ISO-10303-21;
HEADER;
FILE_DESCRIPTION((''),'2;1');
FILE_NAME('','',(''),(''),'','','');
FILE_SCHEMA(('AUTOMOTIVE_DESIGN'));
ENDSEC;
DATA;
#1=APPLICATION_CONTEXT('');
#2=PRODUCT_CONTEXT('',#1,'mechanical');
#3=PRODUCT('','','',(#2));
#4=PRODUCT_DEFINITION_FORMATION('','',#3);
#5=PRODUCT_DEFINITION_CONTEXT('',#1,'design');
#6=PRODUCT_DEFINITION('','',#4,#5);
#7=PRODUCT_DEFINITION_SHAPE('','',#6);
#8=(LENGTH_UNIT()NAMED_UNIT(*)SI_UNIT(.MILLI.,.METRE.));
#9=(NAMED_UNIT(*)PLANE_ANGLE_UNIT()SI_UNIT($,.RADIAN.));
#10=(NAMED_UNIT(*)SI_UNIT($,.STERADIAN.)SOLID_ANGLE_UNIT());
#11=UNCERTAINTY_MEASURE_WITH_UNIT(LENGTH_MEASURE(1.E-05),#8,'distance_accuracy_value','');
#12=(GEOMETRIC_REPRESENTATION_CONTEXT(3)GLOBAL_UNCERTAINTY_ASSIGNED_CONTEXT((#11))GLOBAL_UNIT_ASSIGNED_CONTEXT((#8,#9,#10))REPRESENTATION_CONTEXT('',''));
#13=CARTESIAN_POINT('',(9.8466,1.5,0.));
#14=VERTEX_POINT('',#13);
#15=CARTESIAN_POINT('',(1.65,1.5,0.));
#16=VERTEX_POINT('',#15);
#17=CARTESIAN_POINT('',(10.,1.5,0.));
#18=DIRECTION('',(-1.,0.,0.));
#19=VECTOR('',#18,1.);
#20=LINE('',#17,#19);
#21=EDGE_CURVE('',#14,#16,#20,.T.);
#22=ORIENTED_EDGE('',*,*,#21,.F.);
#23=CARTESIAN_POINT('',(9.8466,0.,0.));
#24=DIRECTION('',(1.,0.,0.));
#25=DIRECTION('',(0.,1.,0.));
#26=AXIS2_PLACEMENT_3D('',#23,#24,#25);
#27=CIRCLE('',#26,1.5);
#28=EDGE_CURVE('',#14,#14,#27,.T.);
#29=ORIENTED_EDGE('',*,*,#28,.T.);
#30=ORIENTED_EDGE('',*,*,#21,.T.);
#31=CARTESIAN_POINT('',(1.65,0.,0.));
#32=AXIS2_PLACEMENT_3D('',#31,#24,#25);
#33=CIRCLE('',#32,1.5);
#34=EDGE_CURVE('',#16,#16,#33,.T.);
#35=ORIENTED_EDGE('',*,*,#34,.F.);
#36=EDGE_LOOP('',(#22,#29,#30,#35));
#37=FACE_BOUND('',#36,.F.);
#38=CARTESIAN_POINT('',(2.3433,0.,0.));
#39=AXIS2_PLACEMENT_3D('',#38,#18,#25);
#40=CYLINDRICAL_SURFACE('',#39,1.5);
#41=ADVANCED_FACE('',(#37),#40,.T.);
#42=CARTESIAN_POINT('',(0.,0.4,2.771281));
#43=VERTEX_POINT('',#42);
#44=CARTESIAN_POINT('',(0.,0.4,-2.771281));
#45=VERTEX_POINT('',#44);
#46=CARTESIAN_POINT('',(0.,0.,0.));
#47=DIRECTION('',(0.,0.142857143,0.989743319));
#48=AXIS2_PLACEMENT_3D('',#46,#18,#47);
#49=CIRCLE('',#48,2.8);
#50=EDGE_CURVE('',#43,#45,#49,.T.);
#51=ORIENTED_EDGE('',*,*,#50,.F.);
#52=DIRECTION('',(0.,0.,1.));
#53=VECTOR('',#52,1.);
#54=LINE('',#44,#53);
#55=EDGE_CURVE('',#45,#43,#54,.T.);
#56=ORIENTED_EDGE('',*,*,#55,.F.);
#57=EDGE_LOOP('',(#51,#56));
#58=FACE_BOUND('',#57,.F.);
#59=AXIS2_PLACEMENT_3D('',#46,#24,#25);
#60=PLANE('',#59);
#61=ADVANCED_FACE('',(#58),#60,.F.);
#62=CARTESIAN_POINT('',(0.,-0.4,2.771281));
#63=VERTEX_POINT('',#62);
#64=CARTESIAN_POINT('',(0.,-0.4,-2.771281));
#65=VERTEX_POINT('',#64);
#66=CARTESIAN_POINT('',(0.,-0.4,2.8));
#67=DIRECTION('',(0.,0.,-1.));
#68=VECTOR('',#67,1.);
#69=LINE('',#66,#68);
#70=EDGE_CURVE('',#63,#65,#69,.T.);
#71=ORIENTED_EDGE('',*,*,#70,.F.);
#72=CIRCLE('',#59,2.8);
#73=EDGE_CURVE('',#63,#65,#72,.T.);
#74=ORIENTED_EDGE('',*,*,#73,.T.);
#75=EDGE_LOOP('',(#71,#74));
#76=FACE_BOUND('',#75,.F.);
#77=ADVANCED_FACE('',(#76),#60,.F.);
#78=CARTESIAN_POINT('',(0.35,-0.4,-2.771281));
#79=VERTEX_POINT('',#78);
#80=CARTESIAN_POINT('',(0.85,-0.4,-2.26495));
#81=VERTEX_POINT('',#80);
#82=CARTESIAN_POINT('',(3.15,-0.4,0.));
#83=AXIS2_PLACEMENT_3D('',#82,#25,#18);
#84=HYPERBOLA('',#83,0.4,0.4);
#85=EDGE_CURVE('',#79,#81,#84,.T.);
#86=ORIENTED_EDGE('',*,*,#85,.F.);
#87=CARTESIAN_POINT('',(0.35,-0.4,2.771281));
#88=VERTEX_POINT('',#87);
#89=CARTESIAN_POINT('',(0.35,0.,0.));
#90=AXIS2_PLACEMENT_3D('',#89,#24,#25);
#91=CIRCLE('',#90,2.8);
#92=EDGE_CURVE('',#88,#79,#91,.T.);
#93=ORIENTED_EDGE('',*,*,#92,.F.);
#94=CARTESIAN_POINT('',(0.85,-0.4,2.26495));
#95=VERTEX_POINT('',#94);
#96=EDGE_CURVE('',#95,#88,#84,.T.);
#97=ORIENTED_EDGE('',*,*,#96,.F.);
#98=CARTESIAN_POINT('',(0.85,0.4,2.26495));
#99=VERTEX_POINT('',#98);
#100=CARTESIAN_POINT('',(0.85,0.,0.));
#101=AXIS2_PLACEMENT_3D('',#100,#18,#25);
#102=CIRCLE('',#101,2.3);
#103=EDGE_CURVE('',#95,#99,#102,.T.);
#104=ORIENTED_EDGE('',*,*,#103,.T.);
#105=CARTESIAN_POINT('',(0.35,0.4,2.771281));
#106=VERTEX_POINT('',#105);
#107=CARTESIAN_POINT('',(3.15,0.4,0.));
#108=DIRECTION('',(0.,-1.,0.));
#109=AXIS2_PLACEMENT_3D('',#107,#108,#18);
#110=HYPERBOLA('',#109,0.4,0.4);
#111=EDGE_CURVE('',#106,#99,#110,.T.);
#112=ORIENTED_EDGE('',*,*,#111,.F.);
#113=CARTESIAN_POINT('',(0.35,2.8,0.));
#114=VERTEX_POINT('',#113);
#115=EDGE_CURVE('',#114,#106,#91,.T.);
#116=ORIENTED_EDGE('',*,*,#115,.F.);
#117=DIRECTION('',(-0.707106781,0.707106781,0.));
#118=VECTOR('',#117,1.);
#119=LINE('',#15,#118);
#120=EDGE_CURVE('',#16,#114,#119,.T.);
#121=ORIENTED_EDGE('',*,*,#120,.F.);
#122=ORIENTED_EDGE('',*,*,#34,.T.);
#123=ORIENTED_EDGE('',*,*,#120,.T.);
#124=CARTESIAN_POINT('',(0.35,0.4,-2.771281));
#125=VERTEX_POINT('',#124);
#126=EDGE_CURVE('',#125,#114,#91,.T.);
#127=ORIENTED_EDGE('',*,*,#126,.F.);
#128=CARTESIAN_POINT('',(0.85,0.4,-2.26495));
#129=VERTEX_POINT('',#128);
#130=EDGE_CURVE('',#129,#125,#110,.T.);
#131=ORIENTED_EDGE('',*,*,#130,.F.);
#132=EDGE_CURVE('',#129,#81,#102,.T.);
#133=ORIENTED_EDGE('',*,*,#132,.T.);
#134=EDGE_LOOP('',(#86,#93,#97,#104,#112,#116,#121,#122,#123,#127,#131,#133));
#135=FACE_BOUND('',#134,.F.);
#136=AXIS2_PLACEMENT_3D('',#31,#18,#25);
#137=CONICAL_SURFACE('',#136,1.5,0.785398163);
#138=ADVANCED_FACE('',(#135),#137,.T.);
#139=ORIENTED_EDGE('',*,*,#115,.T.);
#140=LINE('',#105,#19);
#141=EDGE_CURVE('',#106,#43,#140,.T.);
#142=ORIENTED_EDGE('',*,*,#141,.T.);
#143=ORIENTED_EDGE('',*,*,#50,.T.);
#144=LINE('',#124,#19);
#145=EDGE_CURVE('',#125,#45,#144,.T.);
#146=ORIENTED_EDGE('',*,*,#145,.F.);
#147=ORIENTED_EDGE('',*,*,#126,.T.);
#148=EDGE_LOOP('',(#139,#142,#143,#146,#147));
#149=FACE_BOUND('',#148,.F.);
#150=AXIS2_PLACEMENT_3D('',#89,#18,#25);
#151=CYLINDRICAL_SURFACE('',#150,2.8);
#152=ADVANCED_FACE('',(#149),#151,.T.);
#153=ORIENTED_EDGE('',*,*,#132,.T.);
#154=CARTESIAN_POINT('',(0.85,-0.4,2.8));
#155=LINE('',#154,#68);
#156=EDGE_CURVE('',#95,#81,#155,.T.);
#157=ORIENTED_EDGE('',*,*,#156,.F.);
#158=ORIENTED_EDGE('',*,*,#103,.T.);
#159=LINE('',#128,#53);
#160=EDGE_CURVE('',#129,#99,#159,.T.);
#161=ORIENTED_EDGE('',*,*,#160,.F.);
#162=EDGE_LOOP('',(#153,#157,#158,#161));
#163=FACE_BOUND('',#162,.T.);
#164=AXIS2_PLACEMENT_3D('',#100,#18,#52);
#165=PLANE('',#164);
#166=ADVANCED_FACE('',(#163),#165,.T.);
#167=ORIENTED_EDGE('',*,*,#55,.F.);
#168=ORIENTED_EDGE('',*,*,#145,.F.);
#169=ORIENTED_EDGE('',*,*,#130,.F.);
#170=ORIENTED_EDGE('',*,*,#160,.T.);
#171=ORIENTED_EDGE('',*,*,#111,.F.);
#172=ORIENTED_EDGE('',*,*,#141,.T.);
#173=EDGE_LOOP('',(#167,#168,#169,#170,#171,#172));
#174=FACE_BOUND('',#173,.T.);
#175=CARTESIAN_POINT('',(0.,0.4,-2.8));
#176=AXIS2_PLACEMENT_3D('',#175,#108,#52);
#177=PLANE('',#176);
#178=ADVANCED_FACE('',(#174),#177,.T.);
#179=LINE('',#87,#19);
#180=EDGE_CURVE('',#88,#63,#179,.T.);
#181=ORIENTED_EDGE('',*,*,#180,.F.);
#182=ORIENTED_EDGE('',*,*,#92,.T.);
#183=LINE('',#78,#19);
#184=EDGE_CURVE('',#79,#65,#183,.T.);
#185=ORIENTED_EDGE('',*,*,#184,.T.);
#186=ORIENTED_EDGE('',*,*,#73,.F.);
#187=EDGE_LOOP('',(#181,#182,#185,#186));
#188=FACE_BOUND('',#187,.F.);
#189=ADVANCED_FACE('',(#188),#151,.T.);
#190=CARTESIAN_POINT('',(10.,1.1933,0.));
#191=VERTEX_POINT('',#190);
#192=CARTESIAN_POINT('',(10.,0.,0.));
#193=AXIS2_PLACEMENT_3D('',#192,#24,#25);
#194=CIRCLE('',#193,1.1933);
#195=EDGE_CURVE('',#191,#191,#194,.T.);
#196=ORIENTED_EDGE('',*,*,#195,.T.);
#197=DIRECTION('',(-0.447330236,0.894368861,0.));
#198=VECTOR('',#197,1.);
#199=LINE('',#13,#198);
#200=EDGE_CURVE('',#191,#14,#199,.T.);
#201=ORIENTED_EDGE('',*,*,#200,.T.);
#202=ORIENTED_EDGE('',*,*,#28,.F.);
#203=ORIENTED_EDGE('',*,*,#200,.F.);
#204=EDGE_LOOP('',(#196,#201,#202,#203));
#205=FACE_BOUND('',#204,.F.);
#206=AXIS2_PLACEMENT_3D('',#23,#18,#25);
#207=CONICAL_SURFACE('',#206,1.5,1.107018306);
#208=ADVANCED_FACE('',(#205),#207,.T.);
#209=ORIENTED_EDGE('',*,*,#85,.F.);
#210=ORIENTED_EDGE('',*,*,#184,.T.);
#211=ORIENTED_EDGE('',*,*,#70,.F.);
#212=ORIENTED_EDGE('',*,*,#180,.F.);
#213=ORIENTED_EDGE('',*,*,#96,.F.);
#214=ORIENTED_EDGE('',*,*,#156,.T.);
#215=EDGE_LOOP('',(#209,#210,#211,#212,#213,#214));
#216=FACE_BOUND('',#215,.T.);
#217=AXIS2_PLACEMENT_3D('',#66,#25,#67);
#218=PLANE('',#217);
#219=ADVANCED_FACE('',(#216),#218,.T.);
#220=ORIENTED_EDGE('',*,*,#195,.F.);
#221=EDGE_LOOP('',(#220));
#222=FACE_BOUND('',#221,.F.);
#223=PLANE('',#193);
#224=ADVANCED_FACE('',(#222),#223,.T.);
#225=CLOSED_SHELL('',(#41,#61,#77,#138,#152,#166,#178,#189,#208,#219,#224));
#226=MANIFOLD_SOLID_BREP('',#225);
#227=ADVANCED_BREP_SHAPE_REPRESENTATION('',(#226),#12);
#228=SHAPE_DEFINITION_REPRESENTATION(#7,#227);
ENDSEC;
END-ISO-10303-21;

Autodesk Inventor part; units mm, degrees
ref_plane "YZ Plane" through (0, 0, 0) normal (1, 0, 0) x (0, 1, 0)
ref_plane "XZ Plane" through (0, 0, 0) normal (0, 1, 0) x (-1, 0, 0)
sketch "Sketch1" plane through (0, 0, 0) normal (0, 0, 1) x (1, 0, 0)
  line L0 (0, 0) -> (10, 0)
  line L1 (10, 0) -> (10, 1.5)
  line L2 (10, 1.5) -> (2.65, 1.5)
  line L3 (2.65, 1.5) -> (2.3433, 1.5)
  line L4 (2.3433, 1.5) -> (1.65, 1.5)
  line L5 (1.65, 1.5) -> (0.35, 2.8)
  line L6 (0.35, 2.8) -> (0, 2.8)
  line L7 (0, 2.8) -> (0, 0)
  line L8 (2.65, 1.5) -> (1.65, 1.5) construction
  line L9 (-2, 0) -> (12, 0) projected
  line L10 (0, 3.36) -> (0, -0.56) projected
  dimension "d0" = 10
  dimension "d1" = 45
  dimension "d2" = 0.3067
  dimension "d3" = 7.35
  dimension "d4" = 1.65
  dimension "d5" = 3
  dimension "d6" = 3
  dimension "d7" = 5.6
revolve "Body" add sketch "Sketch1" angle 360 about axis through (0, 0, 0) along (1, 0, 0)
sketch "Sketch2" plane through (0, 0, 0) normal (-1, 0, 0) x (0, 0, 1)
  line L0 (2.8, -0.4) -> (-2.8, -0.4)
  line L1 (-2.8, -0.4) -> (-2.8, 0.4)
  line L2 (-2.8, 0.4) -> (2.8, 0.4)
  line L3 (2.8, 0.4) -> (2.8, -0.4)
  line L4 (0, 0.4) -> (0, -0.4) construction
  line L5 (-2.8, 0) -> (2.8, 0) construction
  line L6 (0, 2.8) -> (0, 0) projected
  dimension "d15" = 0.8
  dimension "d16" = 5.6
extrude "Slot" cut sketch "Sketch2" against normal blind 0.85
thread "Thread" size "M3x0.5" class "6g" standard "ISO Metric profile" length 7.35
chamfer "Chamfer1" distance 0.3067 distance2 0.1534 1 edges at (10, -1.5, 0) measured on face at (10, 0.263, 0.1197)
ref_plane "Work Plane1" through (33.575, 0, 0) normal (0, 0, -1) x (1, 0, 0)
equation "\"d0\" = NLG"
equation "\"d1\" = 0.5 * SEWI"
equation "\"d2\" = GAL"
equation "\"d3\" = GEL"
equation "\"d4\" = KOH"
equation "\"d5\" = BDM"
equation "\"d6\" = GD"
equation "\"d7\" = KOD"
equation "\"d15\" = SBR"
equation "\"d16\" = KOD"
equation "\"d8\" = STI"
equation "\"d10\" = GEL"
equation "\"d12\" = -0.5 * SPD + 0.5 * GD"
equation "\"d13\" = 0.5 * GAL"
equation "\"NLG\" = 10"
equation "\"GAL\" = 0.61345 * PTC"
equation "\"GEL\" = 7.35"
equation "\"KOH\" = 1.65"
equation "\"KOD\" = 5.6"
equation "\"SEWI\" = 90deg"
equation "\"BDM\" = NND"
equation "\"GD\" = NND"
equation "\"SBR\" = 0.8"
equation "\"STI\" = 0.85"
equation "\"SPD\" = NND - 1.2269 * PTC"
equation "\"GUL\" = 0.61345 * PTC"
equation "\"PTC\" = 0.5"
equation "\"EPV\" = 3.15"
equation "\"THREADDIA\" = 3"
equation "\"TOA\" = 30deg"
equation "\"NND\" = 3"
equation "\"GD1\" = THREADDIA - 1.2269 * PTC"
properties part number "DIN 963 - M3 x 10" material "Steel, Mild"
